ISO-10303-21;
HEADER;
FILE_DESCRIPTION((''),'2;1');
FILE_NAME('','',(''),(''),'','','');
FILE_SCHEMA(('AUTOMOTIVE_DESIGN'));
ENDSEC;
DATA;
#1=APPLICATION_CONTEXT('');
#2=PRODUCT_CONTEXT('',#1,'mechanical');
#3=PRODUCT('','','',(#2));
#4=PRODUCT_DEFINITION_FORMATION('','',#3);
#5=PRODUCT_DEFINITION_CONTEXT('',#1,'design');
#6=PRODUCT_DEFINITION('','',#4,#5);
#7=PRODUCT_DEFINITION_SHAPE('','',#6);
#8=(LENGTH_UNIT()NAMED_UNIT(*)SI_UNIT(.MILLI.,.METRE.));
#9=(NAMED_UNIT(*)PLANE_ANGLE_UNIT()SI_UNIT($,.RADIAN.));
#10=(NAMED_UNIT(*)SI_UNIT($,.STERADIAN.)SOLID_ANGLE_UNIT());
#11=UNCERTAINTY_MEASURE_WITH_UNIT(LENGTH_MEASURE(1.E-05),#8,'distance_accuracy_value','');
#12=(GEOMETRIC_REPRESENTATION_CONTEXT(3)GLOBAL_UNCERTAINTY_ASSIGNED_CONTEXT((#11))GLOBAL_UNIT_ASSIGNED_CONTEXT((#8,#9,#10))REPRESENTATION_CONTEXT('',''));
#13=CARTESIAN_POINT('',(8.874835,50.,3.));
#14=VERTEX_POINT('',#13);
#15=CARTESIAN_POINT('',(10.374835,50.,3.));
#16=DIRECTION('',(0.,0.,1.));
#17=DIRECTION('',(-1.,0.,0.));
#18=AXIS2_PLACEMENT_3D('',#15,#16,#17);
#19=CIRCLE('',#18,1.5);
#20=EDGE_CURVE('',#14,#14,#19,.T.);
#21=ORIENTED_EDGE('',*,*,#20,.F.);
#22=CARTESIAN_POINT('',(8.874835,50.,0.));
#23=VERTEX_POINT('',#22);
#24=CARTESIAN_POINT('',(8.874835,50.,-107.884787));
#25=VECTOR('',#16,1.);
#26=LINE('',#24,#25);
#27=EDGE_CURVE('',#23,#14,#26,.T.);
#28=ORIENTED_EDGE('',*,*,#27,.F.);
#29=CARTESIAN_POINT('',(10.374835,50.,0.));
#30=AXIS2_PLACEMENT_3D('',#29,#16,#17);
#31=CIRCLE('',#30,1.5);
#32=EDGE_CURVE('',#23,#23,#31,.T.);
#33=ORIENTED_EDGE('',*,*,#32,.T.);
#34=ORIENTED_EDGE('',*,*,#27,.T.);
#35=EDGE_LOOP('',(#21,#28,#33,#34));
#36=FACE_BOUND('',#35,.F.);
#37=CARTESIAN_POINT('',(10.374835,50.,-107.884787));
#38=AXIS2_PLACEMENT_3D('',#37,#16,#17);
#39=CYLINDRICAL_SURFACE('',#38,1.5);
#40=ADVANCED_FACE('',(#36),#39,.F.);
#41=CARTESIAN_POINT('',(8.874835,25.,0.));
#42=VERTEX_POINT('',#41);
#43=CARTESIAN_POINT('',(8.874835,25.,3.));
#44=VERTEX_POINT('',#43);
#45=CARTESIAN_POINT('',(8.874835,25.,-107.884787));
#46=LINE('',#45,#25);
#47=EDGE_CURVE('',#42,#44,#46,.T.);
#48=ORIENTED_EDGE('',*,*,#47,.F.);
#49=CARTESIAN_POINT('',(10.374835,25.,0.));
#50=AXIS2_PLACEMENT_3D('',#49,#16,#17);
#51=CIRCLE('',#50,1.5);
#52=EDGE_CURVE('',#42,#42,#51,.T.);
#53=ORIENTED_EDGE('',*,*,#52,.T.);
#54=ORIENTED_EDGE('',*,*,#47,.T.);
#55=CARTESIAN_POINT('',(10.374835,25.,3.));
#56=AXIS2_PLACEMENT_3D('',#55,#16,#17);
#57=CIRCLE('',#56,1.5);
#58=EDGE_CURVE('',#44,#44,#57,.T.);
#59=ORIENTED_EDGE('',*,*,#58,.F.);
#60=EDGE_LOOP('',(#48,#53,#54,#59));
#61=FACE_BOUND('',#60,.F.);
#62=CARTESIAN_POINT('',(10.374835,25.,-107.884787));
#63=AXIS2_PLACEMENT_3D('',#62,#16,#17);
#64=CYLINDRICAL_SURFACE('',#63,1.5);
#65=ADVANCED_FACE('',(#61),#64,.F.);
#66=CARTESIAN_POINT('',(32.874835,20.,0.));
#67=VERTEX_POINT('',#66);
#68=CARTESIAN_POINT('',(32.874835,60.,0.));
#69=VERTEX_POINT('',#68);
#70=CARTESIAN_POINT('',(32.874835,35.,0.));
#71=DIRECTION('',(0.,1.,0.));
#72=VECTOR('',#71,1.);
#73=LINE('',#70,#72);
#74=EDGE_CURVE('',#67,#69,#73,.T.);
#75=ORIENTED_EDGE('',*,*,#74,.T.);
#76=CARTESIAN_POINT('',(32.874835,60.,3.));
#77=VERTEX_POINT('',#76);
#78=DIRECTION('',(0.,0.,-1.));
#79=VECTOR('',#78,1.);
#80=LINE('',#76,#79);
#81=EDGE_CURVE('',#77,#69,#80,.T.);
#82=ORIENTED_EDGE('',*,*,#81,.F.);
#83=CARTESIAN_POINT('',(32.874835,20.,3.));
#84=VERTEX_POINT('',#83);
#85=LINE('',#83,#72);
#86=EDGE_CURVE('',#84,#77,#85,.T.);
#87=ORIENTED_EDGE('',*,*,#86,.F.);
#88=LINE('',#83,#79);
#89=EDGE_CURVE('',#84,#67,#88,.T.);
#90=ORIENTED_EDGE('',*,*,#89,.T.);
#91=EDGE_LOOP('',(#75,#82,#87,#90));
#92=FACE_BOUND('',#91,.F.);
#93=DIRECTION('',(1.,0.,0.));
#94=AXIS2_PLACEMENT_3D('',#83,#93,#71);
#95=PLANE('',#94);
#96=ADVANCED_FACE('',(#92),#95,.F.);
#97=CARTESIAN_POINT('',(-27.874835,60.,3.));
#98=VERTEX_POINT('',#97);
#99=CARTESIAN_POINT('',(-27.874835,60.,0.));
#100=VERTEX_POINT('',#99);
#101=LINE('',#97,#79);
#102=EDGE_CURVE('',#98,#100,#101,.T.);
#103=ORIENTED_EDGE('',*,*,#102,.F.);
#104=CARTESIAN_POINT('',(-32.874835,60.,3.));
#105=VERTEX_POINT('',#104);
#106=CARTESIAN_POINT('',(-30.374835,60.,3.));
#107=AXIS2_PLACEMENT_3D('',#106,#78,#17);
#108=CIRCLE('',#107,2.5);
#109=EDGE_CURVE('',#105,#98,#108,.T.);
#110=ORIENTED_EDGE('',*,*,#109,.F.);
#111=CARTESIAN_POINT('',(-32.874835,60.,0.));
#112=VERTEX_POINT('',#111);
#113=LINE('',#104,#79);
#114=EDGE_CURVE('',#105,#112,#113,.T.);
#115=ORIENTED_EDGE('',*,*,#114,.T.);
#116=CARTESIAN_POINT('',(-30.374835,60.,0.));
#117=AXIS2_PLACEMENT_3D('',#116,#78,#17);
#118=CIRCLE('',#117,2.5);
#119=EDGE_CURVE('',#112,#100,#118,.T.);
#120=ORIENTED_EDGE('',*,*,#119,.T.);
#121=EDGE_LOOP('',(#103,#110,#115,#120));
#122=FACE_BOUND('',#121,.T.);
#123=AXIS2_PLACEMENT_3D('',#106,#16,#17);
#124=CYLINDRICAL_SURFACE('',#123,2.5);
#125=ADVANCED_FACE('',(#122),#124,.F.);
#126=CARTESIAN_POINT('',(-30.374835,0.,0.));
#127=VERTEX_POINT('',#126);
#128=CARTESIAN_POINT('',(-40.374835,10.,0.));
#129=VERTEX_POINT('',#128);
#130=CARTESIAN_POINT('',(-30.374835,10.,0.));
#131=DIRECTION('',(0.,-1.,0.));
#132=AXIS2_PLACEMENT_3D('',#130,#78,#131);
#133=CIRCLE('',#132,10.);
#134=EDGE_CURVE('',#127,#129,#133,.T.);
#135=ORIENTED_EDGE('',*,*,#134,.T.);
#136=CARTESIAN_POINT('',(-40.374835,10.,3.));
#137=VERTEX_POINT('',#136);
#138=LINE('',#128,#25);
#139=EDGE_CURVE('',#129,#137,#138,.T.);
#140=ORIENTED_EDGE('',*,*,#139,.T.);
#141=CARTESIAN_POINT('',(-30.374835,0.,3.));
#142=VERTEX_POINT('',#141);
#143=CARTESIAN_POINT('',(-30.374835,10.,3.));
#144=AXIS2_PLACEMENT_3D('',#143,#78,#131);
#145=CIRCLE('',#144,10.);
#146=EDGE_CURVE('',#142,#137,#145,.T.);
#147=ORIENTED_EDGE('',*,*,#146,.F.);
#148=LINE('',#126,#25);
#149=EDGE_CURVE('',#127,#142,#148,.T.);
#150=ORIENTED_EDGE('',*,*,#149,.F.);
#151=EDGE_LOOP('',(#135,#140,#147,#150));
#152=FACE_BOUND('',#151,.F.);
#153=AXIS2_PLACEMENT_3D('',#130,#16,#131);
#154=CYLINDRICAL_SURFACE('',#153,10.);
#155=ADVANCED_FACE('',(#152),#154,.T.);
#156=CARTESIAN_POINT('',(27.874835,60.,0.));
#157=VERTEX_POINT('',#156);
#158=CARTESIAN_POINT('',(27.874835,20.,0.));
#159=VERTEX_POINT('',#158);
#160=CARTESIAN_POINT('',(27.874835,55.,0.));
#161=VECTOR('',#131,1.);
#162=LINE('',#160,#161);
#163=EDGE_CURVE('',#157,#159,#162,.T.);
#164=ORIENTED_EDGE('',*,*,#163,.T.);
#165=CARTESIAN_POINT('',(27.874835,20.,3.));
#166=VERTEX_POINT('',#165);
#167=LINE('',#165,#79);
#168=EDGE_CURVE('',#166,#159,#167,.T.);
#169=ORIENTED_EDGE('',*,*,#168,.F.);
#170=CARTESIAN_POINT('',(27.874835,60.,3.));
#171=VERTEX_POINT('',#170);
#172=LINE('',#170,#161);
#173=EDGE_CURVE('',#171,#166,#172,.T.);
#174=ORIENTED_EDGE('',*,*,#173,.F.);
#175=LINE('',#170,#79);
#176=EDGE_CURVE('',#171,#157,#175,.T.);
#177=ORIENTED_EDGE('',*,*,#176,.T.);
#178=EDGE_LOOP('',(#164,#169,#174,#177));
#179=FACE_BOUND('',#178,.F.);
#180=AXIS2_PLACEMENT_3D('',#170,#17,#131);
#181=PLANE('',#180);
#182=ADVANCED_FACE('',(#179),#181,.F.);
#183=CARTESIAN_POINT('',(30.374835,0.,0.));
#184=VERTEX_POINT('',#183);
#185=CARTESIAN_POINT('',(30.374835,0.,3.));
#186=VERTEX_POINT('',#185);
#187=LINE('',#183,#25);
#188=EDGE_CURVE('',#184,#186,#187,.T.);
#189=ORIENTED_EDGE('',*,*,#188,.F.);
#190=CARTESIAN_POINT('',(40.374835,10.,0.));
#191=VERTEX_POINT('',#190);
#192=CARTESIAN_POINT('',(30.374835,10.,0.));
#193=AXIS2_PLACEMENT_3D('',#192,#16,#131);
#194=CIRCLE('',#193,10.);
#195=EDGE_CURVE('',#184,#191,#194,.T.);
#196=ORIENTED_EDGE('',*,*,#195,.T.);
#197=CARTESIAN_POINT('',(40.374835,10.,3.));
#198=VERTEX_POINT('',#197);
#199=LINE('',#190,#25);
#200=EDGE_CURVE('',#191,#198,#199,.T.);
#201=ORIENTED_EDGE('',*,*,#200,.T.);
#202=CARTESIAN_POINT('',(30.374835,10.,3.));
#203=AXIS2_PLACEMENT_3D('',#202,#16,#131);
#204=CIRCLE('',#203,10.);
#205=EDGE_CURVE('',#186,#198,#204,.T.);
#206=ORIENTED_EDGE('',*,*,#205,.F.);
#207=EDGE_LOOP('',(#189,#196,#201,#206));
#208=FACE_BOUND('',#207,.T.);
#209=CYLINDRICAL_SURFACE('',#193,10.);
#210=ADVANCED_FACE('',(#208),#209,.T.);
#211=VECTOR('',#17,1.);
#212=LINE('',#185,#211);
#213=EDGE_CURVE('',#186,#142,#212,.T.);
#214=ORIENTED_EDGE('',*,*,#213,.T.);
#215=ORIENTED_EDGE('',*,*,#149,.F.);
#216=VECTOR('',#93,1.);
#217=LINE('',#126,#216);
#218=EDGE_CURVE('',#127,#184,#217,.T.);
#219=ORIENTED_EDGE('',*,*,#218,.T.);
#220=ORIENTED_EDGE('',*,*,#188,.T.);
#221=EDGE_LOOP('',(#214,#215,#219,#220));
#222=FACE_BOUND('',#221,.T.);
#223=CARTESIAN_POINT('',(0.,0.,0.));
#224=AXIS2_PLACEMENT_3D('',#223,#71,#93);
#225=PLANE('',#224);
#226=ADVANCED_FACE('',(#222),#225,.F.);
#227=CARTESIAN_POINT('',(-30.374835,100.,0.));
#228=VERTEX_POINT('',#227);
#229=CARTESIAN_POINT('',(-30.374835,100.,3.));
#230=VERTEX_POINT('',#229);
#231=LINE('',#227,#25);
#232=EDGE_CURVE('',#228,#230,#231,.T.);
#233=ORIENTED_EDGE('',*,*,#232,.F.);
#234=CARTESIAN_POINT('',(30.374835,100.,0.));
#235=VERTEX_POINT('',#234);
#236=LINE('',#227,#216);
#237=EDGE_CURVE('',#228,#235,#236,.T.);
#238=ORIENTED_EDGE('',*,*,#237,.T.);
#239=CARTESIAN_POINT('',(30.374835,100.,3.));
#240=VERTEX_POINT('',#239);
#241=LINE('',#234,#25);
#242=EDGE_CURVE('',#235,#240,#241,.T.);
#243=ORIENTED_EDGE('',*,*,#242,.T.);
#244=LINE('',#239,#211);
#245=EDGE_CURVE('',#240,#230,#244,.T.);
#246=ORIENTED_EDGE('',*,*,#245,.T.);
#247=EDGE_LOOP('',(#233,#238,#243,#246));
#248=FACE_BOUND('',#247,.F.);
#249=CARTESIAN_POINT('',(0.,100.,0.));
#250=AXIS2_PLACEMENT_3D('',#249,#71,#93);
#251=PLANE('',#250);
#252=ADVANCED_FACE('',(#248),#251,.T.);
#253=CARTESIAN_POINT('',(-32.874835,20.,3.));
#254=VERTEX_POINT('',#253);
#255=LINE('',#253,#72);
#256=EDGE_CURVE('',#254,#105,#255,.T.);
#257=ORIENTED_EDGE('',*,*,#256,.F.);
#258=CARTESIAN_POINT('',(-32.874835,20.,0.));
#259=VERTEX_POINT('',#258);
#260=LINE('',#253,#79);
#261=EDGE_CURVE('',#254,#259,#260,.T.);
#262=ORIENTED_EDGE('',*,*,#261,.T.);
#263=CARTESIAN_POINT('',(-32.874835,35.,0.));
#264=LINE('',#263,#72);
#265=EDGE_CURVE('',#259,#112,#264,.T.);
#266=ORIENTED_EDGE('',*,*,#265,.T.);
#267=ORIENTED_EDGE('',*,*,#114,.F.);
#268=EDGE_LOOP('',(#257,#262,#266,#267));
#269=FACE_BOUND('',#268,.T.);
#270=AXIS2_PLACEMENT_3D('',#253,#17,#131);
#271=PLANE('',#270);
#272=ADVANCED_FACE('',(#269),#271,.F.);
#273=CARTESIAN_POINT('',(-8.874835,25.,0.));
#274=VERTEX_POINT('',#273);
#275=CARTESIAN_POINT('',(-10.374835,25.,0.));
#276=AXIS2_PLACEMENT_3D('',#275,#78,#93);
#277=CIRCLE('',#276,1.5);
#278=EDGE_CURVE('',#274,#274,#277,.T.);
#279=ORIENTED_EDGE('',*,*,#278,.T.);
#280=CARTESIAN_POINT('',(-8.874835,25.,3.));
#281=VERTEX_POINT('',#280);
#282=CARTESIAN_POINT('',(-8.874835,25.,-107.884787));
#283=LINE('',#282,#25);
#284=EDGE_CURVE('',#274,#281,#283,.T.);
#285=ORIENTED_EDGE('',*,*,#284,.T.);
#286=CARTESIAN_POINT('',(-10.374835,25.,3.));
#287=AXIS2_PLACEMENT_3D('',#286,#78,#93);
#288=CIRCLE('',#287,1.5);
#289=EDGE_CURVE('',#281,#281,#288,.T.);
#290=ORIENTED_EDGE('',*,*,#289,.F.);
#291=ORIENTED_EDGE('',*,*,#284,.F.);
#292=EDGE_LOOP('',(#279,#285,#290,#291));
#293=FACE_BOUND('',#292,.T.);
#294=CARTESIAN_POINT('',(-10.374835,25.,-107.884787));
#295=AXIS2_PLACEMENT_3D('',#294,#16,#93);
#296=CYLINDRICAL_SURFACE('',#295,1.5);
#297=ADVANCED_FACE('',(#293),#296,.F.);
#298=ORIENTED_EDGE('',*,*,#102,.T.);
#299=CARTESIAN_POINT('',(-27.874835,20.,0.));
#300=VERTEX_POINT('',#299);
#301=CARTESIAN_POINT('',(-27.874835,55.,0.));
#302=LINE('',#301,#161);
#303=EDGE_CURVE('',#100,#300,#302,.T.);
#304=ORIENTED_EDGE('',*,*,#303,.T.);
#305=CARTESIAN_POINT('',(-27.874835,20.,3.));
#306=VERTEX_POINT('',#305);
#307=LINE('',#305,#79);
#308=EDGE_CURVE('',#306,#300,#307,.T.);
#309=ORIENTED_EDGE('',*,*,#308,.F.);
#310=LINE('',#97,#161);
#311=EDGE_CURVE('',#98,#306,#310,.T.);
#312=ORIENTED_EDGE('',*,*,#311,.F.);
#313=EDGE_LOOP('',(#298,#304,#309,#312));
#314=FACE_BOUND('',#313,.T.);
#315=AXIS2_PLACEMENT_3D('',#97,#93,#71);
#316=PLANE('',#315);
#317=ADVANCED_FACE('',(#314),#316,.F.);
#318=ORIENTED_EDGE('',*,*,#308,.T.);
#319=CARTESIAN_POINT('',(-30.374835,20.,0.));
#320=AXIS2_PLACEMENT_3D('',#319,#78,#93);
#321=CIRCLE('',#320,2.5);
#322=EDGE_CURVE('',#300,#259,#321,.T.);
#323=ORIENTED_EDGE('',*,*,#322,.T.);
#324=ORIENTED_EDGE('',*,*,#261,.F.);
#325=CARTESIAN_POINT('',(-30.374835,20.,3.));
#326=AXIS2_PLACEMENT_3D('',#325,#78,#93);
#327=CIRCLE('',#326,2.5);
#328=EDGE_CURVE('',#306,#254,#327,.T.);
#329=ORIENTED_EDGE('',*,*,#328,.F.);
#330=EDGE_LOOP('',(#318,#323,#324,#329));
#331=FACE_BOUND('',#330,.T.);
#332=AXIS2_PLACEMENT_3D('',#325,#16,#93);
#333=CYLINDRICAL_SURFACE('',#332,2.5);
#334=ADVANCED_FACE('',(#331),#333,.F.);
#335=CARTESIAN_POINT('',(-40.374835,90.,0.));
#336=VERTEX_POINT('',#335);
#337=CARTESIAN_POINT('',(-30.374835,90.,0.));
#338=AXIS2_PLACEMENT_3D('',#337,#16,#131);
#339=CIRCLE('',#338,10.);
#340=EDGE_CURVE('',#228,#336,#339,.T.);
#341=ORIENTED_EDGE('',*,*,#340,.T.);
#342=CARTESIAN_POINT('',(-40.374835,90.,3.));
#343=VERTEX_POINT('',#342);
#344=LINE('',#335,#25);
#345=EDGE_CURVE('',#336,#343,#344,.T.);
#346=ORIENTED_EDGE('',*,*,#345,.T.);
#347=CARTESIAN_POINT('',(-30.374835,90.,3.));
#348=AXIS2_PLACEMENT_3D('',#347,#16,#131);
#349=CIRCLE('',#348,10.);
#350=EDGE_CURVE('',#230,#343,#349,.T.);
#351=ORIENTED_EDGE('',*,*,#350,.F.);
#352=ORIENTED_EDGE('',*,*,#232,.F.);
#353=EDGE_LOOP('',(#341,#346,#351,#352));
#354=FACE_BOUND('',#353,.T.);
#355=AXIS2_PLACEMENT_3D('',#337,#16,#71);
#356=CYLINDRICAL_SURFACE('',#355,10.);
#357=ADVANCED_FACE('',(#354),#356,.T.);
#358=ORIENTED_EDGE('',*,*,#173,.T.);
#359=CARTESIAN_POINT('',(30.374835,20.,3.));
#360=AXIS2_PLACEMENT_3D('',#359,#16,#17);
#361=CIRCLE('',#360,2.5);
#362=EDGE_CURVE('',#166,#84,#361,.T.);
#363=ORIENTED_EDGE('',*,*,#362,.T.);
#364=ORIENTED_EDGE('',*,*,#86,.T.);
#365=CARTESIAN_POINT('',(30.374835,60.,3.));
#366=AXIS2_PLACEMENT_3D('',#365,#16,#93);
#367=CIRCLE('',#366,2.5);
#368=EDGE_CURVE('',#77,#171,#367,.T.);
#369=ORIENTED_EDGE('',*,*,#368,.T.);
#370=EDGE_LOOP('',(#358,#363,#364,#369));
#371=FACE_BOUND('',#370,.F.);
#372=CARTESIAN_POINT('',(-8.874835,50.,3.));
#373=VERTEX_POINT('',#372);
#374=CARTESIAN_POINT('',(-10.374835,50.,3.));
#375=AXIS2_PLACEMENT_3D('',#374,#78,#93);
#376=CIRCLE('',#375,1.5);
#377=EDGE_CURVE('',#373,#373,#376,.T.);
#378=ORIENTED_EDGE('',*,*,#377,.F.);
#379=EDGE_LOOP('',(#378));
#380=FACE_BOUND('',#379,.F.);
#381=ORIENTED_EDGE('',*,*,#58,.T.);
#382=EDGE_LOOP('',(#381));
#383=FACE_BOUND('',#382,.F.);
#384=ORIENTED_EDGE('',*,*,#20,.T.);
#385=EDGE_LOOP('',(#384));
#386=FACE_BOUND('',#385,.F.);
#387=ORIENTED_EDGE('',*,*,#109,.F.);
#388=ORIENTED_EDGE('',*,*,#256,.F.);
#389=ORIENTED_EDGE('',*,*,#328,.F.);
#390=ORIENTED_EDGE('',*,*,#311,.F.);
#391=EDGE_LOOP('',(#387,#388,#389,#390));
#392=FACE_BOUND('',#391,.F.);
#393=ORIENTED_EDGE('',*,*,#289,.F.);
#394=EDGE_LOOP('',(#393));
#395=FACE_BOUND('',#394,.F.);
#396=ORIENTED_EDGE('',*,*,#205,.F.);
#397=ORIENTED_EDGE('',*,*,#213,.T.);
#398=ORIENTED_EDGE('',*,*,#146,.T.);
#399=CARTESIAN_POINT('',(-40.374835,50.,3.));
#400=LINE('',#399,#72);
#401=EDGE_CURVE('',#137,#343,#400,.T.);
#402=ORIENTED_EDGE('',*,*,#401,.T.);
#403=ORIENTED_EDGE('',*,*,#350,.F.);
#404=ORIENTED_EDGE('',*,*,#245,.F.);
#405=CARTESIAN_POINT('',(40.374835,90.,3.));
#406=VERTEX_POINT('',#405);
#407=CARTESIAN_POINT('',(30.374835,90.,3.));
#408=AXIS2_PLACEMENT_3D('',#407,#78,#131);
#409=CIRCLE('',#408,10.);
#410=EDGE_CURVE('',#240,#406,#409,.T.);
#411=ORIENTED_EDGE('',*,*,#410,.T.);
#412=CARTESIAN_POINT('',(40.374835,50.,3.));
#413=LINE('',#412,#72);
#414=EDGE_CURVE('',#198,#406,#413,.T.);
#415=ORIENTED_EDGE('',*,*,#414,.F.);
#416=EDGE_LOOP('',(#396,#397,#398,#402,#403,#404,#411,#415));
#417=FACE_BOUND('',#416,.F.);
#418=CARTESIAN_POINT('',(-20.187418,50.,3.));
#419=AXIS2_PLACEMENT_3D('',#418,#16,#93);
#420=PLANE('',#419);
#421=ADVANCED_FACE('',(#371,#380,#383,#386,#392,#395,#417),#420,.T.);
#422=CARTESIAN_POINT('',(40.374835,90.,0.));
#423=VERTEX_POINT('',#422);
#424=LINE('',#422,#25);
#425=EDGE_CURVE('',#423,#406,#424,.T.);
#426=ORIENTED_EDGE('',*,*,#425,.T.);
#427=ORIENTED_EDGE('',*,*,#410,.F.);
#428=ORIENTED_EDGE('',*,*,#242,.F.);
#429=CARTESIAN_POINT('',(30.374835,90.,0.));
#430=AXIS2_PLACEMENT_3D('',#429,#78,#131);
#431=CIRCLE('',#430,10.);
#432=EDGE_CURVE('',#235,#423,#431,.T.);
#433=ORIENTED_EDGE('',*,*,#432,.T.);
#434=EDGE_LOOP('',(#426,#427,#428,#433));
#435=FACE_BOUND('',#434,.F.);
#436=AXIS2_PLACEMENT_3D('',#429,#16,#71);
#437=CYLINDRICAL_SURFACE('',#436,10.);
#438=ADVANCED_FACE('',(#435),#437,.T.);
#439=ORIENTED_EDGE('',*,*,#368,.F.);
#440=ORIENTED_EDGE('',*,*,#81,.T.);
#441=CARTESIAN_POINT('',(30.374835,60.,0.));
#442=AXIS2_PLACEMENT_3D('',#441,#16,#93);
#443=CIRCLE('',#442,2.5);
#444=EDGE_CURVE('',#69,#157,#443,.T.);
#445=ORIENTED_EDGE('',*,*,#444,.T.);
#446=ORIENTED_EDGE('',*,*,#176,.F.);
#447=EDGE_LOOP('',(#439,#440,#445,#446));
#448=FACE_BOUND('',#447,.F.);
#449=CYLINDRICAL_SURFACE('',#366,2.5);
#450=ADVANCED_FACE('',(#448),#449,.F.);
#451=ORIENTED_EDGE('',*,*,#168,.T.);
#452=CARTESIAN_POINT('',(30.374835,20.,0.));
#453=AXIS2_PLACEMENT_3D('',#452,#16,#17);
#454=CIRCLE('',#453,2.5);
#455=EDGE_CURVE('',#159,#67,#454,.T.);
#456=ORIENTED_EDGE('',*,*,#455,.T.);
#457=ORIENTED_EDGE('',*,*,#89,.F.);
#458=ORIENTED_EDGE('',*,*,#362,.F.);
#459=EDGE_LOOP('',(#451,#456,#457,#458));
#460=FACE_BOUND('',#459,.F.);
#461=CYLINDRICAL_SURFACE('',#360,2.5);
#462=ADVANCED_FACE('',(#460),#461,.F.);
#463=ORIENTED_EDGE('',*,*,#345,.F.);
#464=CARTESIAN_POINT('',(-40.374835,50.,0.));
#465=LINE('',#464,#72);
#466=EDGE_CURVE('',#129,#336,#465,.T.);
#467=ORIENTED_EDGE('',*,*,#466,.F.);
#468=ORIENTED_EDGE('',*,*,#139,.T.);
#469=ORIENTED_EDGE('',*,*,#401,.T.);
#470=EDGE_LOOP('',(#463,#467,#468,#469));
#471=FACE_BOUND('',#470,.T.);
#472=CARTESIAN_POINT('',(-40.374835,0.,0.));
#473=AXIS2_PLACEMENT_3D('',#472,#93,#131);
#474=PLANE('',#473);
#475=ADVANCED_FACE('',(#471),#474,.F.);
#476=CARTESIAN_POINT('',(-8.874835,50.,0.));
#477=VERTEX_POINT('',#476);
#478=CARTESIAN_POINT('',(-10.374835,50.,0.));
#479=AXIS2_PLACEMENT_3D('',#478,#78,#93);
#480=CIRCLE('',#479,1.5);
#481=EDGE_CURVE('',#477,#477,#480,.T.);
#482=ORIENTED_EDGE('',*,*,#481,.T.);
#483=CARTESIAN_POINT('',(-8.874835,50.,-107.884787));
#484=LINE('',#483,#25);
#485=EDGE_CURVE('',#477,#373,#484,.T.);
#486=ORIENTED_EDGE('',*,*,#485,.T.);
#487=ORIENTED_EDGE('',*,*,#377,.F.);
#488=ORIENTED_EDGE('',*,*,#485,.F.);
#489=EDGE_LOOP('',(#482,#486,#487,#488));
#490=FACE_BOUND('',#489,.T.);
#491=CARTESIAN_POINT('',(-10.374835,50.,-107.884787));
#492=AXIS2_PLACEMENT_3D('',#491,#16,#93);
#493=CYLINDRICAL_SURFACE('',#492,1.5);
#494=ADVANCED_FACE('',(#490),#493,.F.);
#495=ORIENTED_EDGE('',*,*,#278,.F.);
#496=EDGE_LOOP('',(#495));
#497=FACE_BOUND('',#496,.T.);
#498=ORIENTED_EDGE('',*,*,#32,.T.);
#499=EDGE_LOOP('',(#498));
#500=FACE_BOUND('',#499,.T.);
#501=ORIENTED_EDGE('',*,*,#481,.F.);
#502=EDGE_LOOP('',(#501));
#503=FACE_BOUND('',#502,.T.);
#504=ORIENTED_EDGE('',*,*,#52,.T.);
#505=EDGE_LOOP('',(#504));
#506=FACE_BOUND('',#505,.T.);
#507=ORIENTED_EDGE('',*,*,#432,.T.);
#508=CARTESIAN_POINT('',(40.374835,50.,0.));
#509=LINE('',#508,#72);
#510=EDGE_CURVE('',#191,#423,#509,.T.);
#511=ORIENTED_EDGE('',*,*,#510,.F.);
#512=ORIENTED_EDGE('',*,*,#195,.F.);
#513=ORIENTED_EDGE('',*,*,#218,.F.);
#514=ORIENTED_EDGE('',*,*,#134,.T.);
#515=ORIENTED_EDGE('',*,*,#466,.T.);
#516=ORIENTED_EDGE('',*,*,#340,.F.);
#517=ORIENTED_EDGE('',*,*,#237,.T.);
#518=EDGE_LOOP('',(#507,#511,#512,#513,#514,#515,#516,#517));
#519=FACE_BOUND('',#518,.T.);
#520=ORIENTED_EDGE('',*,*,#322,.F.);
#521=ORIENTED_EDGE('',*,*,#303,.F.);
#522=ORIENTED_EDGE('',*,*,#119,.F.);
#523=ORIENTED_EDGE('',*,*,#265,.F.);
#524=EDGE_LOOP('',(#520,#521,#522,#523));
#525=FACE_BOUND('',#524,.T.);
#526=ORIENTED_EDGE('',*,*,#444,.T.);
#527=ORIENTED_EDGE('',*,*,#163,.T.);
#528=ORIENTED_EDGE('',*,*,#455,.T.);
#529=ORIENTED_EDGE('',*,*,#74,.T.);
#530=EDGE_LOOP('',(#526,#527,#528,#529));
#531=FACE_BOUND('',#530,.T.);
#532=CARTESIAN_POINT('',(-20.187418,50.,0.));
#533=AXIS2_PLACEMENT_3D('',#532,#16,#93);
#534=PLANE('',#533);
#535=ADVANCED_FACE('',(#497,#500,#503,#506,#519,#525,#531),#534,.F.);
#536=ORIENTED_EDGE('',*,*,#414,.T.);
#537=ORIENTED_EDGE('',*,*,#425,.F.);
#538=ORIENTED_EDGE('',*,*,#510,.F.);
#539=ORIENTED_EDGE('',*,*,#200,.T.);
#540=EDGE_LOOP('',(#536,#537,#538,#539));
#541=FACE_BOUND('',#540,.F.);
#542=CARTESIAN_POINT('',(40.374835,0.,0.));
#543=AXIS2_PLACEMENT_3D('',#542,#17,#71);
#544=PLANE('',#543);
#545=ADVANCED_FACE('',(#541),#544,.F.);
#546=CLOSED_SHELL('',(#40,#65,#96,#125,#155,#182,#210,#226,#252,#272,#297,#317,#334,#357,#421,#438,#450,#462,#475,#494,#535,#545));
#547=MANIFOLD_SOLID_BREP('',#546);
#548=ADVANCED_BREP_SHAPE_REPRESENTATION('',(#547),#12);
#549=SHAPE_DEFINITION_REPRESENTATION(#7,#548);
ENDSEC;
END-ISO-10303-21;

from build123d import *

# Parameters (mm, degrees)
F0_W     = 40.3748353374
F0_H     = 100
F1_DEPTH = 3
F3_D     = 3
F5_R     = 10
F7_DEPTH = 31.1417784542


with BuildPart() as f1:
    # F0 (on Top) → F1 (new body)
    with BuildSketch(Plane.XY):
        with Locations((20.1874176687, 50)):
            Rectangle(F0_W, F0_H)
    extrude(amount=F1_DEPTH)

    # F3 (through all)
    with Locations(Plane(origin=(0, 0, 0), x_dir=(1, 0, 0), z_dir=(0, 0, -1))):
        with Locations((10.3748353374, -25), (10.3748353374, -50)):
            Hole(F3_D / 2)

    # F5
    f5_edges = [f1.edges().sort_by_distance(p)[0] for p in [
        (40.374835, 100, 1.5),
        (40.374835, 0, 1.5),
    ]]
    fillet(f5_edges, radius=F5_R)

    # F6 (on face) → F7 (cut)
    with BuildSketch(Plane.XY.offset(3)):
        with BuildLine():
            ThreePointArc((27.8748353374, 20), (30.3748353374, 17.5), (32.8748353374, 20))
            Line((32.8748353374, 20), (32.8748353374, 60))
            ThreePointArc((32.8748353374, 60), (30.3748353374, 62.5), (27.8748353374, 60))
            Line((27.8748353374, 60), (27.8748353374, 20))
        make_face()
    extrude(amount=-F7_DEPTH, mode=Mode.SUBTRACT)

    # F8: F1 across plane


with BuildPart() as f1_1:
    add(f1.part)
    add(f1.part.mirror(Plane.YZ))


solid = f1_1.part
